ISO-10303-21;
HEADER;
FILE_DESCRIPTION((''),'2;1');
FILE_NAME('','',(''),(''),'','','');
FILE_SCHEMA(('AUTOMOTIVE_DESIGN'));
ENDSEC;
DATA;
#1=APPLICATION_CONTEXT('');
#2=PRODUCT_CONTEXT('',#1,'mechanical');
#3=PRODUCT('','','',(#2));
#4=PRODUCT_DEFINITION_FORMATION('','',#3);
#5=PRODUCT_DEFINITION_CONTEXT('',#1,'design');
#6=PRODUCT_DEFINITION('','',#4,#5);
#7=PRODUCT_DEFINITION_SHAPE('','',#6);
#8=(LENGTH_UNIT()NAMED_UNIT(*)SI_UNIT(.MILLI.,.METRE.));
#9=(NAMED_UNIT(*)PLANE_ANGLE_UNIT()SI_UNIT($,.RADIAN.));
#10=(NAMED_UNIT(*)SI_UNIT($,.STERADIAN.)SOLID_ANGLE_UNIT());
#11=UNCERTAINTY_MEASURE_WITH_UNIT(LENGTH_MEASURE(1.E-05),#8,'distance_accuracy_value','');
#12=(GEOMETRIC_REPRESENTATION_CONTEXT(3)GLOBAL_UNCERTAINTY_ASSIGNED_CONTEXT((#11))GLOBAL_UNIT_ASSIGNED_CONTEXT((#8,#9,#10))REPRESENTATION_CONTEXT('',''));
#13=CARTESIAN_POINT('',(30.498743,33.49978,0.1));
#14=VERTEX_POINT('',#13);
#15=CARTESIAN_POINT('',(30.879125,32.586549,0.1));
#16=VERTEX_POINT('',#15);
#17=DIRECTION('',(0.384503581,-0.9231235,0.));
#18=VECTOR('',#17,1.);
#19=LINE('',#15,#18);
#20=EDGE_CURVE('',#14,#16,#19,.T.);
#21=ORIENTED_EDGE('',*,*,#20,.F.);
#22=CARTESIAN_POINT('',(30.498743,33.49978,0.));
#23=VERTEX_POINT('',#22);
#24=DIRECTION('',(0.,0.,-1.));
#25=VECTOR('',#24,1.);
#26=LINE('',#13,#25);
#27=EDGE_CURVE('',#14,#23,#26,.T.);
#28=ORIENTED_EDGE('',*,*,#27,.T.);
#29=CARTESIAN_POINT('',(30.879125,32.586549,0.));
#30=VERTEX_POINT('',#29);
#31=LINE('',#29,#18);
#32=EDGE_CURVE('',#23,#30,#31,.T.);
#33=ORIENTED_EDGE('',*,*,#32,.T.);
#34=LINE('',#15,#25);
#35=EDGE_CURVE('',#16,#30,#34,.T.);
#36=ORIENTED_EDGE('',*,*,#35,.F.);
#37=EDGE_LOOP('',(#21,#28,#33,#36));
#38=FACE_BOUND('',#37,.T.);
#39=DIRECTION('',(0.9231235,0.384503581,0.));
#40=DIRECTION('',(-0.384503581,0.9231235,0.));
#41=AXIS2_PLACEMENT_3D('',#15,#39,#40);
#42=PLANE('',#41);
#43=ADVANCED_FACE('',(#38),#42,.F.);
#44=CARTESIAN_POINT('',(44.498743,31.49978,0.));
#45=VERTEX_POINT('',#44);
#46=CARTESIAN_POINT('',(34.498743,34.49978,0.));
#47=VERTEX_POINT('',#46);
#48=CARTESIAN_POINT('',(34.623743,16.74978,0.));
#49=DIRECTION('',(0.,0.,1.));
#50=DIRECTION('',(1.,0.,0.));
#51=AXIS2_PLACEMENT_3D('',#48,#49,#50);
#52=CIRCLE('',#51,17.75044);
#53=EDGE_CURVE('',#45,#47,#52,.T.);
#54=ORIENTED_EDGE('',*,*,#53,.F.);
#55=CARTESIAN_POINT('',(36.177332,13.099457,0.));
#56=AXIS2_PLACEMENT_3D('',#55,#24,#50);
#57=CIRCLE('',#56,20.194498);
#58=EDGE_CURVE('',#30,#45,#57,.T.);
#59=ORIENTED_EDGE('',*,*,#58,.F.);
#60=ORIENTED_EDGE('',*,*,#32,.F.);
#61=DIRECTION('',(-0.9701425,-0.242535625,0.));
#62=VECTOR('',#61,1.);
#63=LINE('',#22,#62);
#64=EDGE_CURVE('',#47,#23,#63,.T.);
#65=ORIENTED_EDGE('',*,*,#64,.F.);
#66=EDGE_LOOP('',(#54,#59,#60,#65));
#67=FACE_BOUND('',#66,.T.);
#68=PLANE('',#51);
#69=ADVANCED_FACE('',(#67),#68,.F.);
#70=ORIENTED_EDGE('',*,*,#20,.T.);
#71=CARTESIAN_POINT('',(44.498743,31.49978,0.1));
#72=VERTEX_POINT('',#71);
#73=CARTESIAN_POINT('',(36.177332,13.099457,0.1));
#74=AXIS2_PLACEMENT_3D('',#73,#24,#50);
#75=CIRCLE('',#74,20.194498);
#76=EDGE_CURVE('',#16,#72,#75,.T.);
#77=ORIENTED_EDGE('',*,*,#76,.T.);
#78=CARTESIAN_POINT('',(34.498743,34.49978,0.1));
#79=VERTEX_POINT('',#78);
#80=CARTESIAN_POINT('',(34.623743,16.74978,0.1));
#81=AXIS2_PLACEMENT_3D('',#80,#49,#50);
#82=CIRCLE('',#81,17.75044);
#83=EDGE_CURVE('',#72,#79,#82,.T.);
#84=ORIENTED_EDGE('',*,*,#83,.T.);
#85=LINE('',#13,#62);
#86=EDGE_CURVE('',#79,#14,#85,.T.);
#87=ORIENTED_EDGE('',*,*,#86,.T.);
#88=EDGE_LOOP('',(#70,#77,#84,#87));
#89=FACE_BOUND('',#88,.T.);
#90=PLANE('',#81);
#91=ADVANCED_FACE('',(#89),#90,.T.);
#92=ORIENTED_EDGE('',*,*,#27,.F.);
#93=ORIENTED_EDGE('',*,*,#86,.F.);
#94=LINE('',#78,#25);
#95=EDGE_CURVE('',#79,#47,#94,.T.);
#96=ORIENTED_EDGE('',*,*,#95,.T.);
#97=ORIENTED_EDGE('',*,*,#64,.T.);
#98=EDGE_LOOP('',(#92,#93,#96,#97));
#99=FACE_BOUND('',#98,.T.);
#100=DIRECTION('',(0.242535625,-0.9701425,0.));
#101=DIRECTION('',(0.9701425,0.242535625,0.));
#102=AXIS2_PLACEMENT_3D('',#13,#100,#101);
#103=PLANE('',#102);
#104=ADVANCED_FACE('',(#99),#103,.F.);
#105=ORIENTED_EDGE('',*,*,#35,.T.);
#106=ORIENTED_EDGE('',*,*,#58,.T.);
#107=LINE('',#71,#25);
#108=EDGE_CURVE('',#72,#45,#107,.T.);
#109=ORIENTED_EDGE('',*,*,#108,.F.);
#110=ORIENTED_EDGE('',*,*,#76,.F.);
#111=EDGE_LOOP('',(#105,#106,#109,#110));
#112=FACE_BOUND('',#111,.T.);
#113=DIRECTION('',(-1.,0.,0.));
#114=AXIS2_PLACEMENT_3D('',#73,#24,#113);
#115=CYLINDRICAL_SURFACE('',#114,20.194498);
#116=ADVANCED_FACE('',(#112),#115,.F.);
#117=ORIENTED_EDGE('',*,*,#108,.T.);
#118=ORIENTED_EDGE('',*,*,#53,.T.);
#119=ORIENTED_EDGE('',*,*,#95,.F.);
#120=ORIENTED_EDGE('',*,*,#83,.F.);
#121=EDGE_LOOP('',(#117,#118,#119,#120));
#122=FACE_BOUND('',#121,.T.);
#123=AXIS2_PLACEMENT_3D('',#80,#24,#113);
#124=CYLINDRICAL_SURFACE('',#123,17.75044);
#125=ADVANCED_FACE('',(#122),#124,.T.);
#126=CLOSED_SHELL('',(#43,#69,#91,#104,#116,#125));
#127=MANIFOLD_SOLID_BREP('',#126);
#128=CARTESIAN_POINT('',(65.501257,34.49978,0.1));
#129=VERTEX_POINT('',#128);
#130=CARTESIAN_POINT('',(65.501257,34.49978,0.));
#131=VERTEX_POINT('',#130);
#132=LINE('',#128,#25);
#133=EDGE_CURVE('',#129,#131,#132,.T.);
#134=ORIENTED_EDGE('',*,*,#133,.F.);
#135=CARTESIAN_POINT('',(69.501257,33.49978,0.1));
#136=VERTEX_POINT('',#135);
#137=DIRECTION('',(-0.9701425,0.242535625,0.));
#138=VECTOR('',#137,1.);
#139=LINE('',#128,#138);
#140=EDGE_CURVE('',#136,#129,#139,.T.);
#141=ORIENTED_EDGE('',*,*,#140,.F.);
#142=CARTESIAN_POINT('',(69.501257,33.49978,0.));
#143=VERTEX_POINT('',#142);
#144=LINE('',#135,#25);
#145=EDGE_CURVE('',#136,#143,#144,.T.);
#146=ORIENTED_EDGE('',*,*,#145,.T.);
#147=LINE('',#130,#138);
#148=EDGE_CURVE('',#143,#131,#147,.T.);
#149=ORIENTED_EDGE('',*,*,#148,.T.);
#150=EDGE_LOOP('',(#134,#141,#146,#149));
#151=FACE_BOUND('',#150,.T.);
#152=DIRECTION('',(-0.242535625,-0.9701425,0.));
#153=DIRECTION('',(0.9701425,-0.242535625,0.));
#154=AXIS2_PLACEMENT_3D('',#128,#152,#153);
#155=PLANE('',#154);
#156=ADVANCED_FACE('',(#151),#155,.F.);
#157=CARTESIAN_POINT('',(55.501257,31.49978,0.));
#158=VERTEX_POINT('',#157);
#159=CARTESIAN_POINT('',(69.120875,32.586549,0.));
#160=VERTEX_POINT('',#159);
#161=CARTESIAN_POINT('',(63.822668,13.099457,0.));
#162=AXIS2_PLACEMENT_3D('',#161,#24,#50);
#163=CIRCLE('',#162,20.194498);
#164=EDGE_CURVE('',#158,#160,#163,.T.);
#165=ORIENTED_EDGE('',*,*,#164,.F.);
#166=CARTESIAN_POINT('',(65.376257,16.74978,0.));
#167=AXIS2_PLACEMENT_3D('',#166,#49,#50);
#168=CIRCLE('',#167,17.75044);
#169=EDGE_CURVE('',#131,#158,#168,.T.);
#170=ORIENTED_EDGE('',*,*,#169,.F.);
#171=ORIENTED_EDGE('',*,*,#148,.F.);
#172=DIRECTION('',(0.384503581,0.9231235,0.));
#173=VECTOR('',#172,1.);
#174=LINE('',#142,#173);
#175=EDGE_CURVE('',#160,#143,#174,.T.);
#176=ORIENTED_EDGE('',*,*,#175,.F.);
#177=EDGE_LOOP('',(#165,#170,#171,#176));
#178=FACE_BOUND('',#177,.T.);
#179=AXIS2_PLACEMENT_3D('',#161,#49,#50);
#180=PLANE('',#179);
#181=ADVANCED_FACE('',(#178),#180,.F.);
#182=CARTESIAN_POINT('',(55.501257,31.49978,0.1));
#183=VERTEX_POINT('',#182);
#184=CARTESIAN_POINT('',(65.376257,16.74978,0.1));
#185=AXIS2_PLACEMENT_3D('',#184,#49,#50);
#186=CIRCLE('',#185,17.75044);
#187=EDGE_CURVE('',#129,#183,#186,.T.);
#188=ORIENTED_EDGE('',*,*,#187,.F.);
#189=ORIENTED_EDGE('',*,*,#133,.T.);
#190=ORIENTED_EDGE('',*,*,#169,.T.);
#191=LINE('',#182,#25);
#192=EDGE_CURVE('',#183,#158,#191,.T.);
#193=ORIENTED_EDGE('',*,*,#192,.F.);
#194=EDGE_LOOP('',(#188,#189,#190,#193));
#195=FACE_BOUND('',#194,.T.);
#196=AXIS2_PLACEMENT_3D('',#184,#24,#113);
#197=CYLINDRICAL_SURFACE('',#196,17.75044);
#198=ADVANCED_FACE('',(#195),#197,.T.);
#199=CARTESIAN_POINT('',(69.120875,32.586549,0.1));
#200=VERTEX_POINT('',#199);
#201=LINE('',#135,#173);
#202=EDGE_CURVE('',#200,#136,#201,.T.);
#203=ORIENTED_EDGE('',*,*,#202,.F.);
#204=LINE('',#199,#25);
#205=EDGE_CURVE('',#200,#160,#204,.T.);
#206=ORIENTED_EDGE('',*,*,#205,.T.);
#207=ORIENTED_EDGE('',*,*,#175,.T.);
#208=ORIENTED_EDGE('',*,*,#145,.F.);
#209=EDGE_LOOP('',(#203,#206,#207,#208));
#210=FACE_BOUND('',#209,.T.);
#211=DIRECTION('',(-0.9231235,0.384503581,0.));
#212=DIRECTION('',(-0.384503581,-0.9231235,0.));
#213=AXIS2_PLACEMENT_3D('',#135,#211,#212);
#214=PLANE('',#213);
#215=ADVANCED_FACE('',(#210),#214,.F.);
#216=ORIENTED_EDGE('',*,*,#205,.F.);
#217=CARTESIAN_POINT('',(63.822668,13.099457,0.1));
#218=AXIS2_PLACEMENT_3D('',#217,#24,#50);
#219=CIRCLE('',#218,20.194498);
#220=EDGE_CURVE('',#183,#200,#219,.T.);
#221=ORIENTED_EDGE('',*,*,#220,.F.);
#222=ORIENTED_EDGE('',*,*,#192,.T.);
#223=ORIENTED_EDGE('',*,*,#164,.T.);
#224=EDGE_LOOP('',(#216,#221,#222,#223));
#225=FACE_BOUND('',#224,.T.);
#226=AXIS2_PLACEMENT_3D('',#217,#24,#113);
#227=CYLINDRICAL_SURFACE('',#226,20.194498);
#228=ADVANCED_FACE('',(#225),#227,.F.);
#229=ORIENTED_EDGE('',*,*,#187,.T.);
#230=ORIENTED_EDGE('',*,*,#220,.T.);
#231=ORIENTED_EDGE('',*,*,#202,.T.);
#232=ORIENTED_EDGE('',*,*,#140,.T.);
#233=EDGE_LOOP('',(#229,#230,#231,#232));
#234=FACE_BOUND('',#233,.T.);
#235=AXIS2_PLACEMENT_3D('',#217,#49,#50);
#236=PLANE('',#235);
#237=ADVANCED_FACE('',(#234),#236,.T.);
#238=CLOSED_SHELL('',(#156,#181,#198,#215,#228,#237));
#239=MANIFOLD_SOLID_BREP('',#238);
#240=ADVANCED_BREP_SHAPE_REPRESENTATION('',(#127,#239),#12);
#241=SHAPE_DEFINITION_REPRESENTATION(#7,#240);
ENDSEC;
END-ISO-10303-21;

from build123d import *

# Parameters (mm, degrees)
SALIENTE_EXTRUIR1_DEPTH   = 0.1
SALIENTE_EXTRUIR1_2_DEPTH = 0.1


with BuildPart() as part:
    # Model → Saliente-Extruir1 (new body)
    with BuildSketch(Plane.XY):
        with BuildLine():
            Line((30.879125436, 32.586549458), (30.498742543, 33.499779932))
            Line((30.498742543, 33.499779932), (34.498742543, 34.499779932))
            ThreePointArc((34.498742543, 34.499779932), (39.724293984, 33.751618068), (44.498742543, 31.499779932))
            ThreePointArc((44.498742543, 31.499779932), (37.783634438, 33.229970005), (30.879125436, 32.586549458))
        make_face()
    extrude(amount=SALIENTE_EXTRUIR1_DEPTH)


with BuildPart() as body_2:
    # Model → Saliente-Extruir1 2 (new body)
    with BuildSketch(Plane.XY):
        with BuildLine():
            Line((65.501257457, 34.499779932), (69.501257457, 33.499779932))
            Line((69.501257457, 33.499779932), (69.120874564, 32.586549458))
            ThreePointArc((69.120874564, 32.586549458), (62.216365562, 33.229970005), (55.501257457, 31.499779932))
            ThreePointArc((55.501257457, 31.499779932), (60.275706016, 33.751618068), (65.501257457, 34.499779932))
        make_face()
    extrude(amount=SALIENTE_EXTRUIR1_2_DEPTH)


solid = Compound([part.part, body_2.part])
